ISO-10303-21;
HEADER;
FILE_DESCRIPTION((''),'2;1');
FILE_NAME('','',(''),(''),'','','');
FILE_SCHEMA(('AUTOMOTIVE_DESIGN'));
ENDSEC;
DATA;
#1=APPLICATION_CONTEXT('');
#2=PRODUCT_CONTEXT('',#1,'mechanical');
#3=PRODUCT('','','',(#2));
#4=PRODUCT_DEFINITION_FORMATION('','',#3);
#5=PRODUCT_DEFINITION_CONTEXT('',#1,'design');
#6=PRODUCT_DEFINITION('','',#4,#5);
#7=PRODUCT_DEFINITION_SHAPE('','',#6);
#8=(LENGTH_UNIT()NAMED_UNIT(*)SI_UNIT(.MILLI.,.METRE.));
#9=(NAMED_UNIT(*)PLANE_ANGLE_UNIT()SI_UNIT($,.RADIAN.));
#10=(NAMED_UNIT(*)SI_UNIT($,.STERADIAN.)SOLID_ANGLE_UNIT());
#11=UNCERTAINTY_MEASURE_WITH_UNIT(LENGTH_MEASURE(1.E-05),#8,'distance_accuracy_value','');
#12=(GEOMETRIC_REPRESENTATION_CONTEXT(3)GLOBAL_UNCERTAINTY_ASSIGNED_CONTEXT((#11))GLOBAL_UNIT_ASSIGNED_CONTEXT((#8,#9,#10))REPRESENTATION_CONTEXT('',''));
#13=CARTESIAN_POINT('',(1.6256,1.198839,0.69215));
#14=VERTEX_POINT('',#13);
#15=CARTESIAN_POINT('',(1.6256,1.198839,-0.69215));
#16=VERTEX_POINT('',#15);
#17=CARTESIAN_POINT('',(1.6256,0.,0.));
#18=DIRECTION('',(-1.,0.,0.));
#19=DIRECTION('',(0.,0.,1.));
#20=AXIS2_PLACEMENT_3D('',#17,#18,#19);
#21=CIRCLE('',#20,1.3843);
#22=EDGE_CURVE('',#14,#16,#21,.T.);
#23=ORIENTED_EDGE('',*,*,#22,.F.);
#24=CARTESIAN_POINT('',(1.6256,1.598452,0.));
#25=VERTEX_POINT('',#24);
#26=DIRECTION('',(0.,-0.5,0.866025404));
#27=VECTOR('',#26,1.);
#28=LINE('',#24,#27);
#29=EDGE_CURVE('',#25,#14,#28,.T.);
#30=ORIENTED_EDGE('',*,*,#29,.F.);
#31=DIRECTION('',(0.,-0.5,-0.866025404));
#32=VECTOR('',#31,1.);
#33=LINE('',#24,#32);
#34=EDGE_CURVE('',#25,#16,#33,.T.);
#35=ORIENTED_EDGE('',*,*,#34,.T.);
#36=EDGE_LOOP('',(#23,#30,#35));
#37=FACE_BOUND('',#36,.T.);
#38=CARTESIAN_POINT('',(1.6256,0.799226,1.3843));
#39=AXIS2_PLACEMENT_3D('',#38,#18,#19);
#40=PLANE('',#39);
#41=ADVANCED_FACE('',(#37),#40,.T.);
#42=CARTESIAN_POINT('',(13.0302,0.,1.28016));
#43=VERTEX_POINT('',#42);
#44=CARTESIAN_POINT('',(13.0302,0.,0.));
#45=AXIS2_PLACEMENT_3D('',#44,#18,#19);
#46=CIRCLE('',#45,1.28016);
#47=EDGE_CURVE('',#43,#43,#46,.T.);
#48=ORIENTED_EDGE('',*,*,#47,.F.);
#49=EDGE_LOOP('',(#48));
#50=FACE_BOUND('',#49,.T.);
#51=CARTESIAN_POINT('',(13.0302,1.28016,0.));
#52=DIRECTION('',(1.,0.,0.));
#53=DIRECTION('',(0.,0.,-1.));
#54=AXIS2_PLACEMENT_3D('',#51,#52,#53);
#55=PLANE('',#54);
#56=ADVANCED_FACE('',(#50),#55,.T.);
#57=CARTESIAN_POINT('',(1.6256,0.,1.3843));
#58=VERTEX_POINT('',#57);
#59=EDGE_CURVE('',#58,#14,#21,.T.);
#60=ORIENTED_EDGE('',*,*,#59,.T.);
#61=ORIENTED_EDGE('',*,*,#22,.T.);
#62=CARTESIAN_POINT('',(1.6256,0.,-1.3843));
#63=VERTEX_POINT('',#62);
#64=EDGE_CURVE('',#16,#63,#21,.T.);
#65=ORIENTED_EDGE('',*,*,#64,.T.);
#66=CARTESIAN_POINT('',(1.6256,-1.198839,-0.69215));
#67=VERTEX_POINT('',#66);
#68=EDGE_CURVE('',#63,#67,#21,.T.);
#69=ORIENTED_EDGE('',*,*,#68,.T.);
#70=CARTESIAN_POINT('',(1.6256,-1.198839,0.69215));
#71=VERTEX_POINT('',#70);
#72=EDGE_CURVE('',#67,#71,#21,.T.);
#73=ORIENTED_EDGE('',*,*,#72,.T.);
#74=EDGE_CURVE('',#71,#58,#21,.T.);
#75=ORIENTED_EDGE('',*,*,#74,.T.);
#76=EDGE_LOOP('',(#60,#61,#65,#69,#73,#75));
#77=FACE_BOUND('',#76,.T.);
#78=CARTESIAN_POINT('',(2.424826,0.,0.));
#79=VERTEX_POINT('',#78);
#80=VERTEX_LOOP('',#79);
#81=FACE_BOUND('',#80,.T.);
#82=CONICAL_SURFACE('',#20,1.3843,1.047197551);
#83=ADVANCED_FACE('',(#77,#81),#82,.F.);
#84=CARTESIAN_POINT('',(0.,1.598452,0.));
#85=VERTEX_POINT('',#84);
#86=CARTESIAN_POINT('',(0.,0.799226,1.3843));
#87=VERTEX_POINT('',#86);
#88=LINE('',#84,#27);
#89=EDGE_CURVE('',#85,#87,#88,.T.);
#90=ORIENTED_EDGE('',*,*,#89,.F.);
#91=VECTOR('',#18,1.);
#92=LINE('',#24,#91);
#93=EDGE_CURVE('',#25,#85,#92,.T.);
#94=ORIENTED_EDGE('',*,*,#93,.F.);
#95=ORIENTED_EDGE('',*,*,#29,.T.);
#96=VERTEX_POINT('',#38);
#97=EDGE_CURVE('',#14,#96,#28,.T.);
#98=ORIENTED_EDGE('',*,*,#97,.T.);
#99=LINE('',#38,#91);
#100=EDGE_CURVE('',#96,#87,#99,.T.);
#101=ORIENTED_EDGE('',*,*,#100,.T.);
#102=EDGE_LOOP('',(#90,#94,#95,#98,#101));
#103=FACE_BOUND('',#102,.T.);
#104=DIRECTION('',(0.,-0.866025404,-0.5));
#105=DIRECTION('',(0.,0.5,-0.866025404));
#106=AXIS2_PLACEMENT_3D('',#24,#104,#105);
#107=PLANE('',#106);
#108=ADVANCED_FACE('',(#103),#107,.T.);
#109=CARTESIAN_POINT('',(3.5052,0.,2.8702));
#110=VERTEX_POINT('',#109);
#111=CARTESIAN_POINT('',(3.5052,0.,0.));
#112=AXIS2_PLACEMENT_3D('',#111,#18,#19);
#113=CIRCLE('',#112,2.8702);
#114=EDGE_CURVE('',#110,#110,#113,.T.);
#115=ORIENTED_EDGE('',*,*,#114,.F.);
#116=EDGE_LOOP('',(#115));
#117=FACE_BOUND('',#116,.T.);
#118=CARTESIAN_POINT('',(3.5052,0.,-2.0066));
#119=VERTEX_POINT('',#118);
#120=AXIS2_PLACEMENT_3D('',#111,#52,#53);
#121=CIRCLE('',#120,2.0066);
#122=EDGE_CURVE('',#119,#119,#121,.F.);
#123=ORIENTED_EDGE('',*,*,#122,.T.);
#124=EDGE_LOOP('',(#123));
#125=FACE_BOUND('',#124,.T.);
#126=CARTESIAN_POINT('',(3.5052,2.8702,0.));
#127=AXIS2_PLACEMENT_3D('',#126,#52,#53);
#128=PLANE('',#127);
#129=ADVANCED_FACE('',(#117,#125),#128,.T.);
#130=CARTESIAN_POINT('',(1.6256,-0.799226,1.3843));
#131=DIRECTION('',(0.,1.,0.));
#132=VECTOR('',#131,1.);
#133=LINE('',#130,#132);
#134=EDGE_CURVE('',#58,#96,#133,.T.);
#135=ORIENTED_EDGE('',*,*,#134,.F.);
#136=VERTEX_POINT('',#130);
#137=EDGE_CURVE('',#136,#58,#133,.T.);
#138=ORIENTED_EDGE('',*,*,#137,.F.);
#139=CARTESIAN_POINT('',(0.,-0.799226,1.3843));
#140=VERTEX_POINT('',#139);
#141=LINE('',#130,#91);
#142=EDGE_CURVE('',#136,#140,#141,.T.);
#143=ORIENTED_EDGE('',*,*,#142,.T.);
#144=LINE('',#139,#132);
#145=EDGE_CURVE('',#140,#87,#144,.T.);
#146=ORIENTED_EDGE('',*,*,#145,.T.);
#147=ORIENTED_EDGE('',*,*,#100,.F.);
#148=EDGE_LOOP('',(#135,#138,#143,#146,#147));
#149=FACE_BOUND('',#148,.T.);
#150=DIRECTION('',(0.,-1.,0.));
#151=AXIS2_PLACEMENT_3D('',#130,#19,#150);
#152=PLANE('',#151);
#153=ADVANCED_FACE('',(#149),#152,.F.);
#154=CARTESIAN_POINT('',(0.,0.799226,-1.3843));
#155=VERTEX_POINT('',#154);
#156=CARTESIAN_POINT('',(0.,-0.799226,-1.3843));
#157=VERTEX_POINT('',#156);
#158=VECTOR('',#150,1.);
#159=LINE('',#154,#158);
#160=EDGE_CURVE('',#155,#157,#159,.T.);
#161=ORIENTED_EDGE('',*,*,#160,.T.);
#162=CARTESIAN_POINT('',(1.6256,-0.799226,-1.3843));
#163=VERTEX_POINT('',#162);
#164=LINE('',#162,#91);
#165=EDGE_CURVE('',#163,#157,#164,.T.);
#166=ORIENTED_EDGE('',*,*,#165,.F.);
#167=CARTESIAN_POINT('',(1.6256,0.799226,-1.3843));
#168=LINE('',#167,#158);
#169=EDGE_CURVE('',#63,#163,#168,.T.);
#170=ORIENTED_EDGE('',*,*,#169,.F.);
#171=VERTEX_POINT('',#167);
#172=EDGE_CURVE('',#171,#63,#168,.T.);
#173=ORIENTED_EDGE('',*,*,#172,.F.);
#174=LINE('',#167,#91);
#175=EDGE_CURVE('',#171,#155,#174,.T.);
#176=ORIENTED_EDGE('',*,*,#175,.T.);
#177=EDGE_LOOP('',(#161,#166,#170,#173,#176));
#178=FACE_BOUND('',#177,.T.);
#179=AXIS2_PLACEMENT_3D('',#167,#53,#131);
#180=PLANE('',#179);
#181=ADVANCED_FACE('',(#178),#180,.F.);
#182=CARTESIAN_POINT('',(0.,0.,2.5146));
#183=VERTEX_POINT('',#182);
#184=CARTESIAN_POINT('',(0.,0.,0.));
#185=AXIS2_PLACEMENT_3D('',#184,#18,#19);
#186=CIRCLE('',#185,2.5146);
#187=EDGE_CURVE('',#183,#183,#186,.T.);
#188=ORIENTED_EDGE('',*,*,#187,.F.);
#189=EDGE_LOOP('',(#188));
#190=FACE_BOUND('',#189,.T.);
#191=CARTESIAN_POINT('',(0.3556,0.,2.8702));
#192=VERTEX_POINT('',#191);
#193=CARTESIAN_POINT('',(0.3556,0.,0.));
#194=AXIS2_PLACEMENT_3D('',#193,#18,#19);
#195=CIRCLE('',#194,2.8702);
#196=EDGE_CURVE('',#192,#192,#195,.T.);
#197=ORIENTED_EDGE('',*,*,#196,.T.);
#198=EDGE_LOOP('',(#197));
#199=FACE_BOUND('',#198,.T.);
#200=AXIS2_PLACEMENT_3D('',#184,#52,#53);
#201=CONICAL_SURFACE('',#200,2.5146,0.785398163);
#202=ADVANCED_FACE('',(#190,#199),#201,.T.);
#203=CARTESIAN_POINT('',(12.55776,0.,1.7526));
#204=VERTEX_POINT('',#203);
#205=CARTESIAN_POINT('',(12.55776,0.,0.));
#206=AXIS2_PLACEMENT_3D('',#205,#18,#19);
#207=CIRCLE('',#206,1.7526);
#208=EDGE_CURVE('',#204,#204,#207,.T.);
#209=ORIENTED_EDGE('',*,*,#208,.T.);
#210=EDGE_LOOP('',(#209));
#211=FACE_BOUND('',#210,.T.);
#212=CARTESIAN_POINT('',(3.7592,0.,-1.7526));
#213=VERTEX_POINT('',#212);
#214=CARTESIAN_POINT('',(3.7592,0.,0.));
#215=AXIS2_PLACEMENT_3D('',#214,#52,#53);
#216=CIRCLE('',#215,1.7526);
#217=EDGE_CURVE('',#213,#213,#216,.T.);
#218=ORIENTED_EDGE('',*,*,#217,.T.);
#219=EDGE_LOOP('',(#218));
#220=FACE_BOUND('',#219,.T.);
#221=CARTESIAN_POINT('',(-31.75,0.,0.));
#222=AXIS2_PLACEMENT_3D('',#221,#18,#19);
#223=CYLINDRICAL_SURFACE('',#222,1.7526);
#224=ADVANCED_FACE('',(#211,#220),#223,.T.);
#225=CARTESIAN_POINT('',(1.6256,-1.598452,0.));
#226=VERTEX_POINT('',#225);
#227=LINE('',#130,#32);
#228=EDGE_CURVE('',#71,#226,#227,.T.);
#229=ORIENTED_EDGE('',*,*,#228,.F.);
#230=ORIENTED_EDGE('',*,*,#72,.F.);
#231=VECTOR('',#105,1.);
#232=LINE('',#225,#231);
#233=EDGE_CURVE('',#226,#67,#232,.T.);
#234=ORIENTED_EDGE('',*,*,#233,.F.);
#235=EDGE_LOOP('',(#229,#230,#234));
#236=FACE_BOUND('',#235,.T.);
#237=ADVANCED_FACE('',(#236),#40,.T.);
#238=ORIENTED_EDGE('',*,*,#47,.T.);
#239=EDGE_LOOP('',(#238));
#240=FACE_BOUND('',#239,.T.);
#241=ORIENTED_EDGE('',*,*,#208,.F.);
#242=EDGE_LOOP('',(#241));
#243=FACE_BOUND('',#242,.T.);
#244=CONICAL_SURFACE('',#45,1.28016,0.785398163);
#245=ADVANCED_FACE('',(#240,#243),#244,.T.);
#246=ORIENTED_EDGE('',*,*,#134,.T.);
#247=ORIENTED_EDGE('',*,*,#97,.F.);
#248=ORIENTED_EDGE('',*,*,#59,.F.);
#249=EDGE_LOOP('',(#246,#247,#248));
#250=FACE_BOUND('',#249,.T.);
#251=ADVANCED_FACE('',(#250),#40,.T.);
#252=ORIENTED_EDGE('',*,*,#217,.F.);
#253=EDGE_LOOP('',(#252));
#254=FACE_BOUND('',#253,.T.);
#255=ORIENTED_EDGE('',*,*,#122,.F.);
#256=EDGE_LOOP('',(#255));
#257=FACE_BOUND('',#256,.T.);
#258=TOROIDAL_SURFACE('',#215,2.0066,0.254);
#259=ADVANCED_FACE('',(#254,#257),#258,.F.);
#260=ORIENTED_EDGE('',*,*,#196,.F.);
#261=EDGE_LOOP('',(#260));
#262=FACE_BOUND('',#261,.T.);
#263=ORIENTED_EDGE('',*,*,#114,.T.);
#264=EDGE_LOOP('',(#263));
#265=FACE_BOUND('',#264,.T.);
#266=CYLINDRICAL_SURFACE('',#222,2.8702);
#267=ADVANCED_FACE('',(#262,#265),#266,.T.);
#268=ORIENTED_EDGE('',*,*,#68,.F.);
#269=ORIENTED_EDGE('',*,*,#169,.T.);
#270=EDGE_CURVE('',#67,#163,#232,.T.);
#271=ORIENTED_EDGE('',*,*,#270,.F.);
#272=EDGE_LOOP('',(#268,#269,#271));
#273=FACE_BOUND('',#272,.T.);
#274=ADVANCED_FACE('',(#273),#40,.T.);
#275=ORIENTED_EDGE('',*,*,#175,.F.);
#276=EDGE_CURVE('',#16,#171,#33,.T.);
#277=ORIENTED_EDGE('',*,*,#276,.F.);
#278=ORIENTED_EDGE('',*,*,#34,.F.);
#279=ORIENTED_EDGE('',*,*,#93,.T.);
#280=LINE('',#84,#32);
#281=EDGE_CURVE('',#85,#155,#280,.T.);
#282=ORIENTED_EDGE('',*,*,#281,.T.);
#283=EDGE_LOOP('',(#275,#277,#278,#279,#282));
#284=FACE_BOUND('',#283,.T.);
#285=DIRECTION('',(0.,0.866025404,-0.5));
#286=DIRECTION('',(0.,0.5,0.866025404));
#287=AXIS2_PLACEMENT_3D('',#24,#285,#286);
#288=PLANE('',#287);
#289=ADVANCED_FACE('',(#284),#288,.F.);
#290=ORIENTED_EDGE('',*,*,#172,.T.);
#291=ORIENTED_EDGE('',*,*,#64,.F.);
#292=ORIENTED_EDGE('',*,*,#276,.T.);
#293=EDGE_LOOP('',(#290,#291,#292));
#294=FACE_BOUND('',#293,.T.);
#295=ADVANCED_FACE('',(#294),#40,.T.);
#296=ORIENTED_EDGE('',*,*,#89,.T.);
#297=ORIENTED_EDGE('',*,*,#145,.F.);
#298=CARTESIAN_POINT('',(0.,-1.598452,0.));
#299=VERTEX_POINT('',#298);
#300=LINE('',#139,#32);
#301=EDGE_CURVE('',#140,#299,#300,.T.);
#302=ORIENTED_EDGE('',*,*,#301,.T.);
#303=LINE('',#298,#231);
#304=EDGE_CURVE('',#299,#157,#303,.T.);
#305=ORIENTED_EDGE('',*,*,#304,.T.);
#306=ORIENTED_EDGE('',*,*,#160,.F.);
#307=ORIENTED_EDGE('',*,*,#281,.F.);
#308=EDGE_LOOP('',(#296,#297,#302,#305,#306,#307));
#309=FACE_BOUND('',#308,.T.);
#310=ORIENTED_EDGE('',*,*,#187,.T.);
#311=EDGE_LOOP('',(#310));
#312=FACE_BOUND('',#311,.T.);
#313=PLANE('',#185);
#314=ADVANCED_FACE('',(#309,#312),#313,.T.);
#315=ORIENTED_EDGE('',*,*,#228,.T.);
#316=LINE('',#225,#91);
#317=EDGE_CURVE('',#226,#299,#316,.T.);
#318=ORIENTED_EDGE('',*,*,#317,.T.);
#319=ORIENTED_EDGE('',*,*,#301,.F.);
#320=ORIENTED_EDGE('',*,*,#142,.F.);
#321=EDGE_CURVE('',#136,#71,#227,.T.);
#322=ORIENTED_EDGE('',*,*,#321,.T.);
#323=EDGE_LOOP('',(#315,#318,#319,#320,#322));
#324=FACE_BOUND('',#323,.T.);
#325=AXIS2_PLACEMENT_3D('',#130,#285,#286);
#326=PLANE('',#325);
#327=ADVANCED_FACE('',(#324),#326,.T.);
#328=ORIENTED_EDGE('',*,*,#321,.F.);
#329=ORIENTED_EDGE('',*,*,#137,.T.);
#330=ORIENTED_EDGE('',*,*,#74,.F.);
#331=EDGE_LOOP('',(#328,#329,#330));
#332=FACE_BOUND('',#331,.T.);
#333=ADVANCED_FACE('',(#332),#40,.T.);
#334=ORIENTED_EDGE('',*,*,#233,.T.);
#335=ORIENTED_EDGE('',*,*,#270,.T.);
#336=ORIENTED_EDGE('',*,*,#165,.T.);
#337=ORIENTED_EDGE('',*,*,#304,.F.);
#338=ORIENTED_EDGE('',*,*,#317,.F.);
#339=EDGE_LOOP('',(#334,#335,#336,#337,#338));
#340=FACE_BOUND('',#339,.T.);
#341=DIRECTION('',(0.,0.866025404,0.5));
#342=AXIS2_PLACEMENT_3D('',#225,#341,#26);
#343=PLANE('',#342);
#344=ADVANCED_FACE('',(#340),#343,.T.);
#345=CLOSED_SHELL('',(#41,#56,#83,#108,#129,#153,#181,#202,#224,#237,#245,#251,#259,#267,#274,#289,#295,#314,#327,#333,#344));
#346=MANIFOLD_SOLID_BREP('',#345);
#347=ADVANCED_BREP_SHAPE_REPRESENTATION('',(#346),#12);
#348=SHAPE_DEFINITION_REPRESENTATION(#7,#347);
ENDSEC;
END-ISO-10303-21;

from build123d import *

# Parameters (mm, degrees)
FILLET1_R   = 0.254
HEX_2_DEPTH = 1.6256


with BuildPart() as part:
    # BodySke → Base-Revolve (revolve)
    with BuildSketch(Plane.XY, mode=Mode.PRIVATE) as base_revolve_sk:
        Polygon((0, 0), (0, 2.5146), (0.3556, 2.8702), (3.5052, 2.8702), (3.5052, 1.7526), (12.55776, 1.7526), (13.0302, 1.28016), (13.0302, 0), align=None)
    revolve(base_revolve_sk.sketch.rotate(Axis((-31.75, 0, 0), (1, 0, 0)), 90), axis=Axis((-31.75, 0, 0), (1, 0, 0)))

    # Fillet1
    fillet1_edges = [part.edges().sort_by_distance(p)[0] for p in [
        (3.5052, 0, -1.7526),
    ]]
    fillet(fillet1_edges, radius=FILLET1_R)

    # Sketch2 → Hex-PreBroach (revolve, cut)
    with BuildSketch(Plane.XY, mode=Mode.PRIVATE) as hex_prebroach_sk:
        Polygon((0, 1.3843), (1.6256, 1.3843), (2.424825978, 0), (0, 0), align=None)
    revolve(hex_prebroach_sk.sketch.rotate(Axis((0, 0, 0), (1, 0, 0)), 90), axis=Axis((0, 0, 0), (1, 0, 0)), mode=Mode.SUBTRACT)

    # Sketch3 → Hex 2 (cut)
    with BuildSketch(Plane(origin=(0, 0, 0), x_dir=(0, 0.500000000000001, 0.866025403784438), z_dir=(-1, 0, 0))):
        Polygon((0.799225978, 1.3843), (-0.799225978, 1.3843), (-1.598451955, 0), (-0.799225978, -1.3843), (0.799225978, -1.3843), (1.598451955, 0), align=None)
    extrude(amount=-HEX_2_DEPTH, mode=Mode.SUBTRACT)


solid = part.part
